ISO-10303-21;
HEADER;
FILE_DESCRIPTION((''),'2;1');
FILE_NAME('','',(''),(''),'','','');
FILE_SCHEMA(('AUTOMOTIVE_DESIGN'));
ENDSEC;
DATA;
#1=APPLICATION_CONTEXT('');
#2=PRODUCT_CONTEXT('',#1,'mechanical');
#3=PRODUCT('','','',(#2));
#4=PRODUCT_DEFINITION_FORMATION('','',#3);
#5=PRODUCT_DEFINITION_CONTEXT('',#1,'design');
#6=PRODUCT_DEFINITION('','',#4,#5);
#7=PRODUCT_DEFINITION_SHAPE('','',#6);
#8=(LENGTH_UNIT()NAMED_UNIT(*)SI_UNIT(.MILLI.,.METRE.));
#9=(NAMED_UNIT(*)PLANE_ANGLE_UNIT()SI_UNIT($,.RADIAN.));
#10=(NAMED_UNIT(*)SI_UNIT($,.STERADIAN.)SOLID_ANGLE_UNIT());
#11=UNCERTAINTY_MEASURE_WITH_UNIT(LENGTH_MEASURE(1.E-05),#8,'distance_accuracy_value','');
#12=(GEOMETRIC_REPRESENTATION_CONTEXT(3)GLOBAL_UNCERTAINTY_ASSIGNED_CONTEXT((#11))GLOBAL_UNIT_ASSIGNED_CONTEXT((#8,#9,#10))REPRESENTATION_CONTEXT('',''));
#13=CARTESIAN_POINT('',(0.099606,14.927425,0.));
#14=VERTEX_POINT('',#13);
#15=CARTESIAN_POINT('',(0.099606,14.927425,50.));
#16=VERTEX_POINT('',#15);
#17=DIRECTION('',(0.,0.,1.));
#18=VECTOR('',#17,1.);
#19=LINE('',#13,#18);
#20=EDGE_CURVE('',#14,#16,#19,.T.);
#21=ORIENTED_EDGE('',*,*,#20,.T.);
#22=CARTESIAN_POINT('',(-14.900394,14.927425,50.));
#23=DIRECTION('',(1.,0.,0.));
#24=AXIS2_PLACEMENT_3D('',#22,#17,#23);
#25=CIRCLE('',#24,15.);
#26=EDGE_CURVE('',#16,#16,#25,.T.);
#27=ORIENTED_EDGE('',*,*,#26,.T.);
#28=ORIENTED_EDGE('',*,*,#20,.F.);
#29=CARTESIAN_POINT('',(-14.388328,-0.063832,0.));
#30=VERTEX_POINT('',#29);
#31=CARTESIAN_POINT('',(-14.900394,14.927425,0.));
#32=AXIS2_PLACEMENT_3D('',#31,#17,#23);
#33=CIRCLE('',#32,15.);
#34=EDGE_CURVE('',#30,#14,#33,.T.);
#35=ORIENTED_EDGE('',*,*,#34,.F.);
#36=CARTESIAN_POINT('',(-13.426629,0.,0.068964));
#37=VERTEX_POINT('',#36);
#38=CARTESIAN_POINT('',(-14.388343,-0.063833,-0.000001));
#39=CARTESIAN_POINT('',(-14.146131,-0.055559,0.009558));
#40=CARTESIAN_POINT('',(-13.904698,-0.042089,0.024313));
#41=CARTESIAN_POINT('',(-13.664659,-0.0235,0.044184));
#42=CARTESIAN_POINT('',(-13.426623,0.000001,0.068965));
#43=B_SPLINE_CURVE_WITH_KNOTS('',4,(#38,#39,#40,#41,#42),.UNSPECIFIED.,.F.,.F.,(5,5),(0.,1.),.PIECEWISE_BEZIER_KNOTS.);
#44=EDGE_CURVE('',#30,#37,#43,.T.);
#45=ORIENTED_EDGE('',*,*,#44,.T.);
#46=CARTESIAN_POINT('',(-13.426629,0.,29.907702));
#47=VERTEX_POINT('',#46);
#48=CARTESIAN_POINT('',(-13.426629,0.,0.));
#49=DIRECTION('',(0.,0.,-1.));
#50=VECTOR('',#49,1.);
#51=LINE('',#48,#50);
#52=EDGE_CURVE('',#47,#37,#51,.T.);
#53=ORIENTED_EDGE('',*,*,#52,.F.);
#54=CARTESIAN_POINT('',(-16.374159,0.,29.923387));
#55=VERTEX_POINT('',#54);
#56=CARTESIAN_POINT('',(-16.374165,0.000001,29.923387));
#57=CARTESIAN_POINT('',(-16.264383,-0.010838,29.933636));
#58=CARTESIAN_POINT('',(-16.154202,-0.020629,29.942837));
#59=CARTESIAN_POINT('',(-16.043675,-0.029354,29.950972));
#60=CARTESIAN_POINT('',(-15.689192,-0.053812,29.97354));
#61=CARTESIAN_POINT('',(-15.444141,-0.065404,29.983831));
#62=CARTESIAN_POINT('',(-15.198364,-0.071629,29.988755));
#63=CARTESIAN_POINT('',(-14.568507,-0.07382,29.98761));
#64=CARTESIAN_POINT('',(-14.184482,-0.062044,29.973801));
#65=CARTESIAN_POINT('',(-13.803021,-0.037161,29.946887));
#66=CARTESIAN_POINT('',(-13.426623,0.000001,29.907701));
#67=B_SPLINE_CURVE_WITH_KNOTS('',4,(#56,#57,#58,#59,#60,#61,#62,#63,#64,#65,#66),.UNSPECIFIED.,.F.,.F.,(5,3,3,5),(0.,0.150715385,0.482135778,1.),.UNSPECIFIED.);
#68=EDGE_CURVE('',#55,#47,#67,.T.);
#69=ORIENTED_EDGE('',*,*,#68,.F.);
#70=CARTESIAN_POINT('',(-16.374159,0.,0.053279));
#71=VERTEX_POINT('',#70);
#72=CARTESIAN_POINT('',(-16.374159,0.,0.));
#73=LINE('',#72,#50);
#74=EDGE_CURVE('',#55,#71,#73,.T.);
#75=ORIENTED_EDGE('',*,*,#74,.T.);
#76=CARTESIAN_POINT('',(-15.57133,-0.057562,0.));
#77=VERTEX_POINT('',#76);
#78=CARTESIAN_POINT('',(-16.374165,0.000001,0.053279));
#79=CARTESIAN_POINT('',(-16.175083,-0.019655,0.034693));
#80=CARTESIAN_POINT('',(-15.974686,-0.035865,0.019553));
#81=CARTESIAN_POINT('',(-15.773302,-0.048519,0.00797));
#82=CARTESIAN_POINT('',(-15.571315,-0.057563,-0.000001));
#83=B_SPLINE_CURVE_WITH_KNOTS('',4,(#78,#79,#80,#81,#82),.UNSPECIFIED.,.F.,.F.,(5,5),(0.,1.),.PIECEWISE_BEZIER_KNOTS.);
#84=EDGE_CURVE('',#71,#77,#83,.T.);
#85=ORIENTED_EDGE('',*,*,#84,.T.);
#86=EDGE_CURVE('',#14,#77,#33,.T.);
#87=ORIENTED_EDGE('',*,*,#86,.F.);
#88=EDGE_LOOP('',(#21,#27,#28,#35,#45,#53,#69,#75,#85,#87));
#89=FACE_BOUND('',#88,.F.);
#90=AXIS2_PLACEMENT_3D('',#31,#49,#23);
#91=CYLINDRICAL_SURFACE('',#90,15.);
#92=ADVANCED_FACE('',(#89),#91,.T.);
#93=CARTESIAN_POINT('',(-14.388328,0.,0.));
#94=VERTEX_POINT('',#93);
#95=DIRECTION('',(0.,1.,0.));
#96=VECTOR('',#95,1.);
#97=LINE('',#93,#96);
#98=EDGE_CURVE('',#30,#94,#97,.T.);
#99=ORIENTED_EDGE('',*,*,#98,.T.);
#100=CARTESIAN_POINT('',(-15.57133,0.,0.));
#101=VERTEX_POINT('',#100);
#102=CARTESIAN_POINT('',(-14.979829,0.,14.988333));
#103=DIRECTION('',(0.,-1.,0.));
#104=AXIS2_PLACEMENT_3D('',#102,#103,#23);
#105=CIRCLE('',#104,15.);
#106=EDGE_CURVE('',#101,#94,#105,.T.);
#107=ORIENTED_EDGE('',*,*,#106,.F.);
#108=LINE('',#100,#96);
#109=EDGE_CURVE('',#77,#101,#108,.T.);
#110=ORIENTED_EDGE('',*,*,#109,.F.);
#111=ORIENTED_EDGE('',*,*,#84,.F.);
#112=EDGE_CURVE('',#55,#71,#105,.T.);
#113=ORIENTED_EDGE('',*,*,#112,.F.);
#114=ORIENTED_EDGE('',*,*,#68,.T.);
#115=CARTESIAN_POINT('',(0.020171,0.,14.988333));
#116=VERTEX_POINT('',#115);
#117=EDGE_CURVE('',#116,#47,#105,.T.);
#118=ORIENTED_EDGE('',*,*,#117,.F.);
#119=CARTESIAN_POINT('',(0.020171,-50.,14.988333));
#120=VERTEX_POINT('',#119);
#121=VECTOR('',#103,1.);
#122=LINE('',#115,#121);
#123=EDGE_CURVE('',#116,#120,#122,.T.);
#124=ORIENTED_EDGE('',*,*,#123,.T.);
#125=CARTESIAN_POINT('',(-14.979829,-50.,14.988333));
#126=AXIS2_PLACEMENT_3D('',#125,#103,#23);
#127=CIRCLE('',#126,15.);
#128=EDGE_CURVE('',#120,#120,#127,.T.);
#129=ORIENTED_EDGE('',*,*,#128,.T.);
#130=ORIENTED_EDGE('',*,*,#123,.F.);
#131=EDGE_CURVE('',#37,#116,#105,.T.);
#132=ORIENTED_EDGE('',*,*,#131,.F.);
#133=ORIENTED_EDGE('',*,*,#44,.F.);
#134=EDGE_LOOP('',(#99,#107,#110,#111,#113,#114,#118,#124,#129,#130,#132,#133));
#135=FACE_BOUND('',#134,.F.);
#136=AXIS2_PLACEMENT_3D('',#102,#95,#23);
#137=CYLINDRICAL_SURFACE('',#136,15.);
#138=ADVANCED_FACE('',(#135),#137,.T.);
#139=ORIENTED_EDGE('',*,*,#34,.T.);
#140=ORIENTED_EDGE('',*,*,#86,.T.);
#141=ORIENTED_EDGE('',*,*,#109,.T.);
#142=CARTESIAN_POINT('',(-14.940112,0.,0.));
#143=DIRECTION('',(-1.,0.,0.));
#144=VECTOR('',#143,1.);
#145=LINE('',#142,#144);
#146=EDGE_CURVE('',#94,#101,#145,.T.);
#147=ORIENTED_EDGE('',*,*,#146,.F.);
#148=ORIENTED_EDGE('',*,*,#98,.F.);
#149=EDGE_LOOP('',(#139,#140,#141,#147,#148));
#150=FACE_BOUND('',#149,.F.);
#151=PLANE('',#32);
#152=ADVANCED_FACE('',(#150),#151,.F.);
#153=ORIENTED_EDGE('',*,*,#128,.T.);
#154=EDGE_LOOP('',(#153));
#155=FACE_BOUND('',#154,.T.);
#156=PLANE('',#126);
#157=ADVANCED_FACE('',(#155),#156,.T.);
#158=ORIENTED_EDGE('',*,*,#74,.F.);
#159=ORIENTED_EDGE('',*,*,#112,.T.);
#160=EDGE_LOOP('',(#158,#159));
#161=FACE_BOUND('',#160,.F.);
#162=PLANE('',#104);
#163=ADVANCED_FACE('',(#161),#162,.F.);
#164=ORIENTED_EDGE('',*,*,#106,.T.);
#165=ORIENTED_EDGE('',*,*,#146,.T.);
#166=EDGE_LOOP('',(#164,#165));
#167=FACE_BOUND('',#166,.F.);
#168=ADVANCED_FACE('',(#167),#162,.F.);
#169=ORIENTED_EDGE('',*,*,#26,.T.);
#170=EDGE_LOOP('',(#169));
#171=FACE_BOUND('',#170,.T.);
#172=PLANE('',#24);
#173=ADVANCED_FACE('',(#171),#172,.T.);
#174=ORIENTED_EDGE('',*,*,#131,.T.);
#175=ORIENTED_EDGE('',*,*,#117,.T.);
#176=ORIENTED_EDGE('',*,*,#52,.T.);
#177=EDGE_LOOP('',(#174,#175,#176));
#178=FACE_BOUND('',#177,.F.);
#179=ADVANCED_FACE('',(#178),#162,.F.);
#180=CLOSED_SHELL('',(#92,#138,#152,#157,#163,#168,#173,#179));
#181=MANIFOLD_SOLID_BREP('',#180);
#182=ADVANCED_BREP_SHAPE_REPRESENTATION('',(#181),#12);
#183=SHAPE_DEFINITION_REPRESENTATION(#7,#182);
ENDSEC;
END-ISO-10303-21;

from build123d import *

# Parameters (mm, degrees)
F0_R     = 15
F1_DEPTH = 50
F2_R     = 15
F3_DEPTH = 50


with BuildPart() as f1:
    # F0 (on Front) → F1 (new body)
    with BuildSketch(Plane.XZ):
        with Locations((-14.979829, 14.988333)):
            Circle(F0_R)
    extrude(amount=F1_DEPTH)

    # F2 (on Top) → F3 (join)
    with BuildSketch(Plane.XY):
        with Locations((-14.900394, 14.927425)):
            Circle(F2_R)
    extrude(amount=F3_DEPTH)


solid = f1.part
